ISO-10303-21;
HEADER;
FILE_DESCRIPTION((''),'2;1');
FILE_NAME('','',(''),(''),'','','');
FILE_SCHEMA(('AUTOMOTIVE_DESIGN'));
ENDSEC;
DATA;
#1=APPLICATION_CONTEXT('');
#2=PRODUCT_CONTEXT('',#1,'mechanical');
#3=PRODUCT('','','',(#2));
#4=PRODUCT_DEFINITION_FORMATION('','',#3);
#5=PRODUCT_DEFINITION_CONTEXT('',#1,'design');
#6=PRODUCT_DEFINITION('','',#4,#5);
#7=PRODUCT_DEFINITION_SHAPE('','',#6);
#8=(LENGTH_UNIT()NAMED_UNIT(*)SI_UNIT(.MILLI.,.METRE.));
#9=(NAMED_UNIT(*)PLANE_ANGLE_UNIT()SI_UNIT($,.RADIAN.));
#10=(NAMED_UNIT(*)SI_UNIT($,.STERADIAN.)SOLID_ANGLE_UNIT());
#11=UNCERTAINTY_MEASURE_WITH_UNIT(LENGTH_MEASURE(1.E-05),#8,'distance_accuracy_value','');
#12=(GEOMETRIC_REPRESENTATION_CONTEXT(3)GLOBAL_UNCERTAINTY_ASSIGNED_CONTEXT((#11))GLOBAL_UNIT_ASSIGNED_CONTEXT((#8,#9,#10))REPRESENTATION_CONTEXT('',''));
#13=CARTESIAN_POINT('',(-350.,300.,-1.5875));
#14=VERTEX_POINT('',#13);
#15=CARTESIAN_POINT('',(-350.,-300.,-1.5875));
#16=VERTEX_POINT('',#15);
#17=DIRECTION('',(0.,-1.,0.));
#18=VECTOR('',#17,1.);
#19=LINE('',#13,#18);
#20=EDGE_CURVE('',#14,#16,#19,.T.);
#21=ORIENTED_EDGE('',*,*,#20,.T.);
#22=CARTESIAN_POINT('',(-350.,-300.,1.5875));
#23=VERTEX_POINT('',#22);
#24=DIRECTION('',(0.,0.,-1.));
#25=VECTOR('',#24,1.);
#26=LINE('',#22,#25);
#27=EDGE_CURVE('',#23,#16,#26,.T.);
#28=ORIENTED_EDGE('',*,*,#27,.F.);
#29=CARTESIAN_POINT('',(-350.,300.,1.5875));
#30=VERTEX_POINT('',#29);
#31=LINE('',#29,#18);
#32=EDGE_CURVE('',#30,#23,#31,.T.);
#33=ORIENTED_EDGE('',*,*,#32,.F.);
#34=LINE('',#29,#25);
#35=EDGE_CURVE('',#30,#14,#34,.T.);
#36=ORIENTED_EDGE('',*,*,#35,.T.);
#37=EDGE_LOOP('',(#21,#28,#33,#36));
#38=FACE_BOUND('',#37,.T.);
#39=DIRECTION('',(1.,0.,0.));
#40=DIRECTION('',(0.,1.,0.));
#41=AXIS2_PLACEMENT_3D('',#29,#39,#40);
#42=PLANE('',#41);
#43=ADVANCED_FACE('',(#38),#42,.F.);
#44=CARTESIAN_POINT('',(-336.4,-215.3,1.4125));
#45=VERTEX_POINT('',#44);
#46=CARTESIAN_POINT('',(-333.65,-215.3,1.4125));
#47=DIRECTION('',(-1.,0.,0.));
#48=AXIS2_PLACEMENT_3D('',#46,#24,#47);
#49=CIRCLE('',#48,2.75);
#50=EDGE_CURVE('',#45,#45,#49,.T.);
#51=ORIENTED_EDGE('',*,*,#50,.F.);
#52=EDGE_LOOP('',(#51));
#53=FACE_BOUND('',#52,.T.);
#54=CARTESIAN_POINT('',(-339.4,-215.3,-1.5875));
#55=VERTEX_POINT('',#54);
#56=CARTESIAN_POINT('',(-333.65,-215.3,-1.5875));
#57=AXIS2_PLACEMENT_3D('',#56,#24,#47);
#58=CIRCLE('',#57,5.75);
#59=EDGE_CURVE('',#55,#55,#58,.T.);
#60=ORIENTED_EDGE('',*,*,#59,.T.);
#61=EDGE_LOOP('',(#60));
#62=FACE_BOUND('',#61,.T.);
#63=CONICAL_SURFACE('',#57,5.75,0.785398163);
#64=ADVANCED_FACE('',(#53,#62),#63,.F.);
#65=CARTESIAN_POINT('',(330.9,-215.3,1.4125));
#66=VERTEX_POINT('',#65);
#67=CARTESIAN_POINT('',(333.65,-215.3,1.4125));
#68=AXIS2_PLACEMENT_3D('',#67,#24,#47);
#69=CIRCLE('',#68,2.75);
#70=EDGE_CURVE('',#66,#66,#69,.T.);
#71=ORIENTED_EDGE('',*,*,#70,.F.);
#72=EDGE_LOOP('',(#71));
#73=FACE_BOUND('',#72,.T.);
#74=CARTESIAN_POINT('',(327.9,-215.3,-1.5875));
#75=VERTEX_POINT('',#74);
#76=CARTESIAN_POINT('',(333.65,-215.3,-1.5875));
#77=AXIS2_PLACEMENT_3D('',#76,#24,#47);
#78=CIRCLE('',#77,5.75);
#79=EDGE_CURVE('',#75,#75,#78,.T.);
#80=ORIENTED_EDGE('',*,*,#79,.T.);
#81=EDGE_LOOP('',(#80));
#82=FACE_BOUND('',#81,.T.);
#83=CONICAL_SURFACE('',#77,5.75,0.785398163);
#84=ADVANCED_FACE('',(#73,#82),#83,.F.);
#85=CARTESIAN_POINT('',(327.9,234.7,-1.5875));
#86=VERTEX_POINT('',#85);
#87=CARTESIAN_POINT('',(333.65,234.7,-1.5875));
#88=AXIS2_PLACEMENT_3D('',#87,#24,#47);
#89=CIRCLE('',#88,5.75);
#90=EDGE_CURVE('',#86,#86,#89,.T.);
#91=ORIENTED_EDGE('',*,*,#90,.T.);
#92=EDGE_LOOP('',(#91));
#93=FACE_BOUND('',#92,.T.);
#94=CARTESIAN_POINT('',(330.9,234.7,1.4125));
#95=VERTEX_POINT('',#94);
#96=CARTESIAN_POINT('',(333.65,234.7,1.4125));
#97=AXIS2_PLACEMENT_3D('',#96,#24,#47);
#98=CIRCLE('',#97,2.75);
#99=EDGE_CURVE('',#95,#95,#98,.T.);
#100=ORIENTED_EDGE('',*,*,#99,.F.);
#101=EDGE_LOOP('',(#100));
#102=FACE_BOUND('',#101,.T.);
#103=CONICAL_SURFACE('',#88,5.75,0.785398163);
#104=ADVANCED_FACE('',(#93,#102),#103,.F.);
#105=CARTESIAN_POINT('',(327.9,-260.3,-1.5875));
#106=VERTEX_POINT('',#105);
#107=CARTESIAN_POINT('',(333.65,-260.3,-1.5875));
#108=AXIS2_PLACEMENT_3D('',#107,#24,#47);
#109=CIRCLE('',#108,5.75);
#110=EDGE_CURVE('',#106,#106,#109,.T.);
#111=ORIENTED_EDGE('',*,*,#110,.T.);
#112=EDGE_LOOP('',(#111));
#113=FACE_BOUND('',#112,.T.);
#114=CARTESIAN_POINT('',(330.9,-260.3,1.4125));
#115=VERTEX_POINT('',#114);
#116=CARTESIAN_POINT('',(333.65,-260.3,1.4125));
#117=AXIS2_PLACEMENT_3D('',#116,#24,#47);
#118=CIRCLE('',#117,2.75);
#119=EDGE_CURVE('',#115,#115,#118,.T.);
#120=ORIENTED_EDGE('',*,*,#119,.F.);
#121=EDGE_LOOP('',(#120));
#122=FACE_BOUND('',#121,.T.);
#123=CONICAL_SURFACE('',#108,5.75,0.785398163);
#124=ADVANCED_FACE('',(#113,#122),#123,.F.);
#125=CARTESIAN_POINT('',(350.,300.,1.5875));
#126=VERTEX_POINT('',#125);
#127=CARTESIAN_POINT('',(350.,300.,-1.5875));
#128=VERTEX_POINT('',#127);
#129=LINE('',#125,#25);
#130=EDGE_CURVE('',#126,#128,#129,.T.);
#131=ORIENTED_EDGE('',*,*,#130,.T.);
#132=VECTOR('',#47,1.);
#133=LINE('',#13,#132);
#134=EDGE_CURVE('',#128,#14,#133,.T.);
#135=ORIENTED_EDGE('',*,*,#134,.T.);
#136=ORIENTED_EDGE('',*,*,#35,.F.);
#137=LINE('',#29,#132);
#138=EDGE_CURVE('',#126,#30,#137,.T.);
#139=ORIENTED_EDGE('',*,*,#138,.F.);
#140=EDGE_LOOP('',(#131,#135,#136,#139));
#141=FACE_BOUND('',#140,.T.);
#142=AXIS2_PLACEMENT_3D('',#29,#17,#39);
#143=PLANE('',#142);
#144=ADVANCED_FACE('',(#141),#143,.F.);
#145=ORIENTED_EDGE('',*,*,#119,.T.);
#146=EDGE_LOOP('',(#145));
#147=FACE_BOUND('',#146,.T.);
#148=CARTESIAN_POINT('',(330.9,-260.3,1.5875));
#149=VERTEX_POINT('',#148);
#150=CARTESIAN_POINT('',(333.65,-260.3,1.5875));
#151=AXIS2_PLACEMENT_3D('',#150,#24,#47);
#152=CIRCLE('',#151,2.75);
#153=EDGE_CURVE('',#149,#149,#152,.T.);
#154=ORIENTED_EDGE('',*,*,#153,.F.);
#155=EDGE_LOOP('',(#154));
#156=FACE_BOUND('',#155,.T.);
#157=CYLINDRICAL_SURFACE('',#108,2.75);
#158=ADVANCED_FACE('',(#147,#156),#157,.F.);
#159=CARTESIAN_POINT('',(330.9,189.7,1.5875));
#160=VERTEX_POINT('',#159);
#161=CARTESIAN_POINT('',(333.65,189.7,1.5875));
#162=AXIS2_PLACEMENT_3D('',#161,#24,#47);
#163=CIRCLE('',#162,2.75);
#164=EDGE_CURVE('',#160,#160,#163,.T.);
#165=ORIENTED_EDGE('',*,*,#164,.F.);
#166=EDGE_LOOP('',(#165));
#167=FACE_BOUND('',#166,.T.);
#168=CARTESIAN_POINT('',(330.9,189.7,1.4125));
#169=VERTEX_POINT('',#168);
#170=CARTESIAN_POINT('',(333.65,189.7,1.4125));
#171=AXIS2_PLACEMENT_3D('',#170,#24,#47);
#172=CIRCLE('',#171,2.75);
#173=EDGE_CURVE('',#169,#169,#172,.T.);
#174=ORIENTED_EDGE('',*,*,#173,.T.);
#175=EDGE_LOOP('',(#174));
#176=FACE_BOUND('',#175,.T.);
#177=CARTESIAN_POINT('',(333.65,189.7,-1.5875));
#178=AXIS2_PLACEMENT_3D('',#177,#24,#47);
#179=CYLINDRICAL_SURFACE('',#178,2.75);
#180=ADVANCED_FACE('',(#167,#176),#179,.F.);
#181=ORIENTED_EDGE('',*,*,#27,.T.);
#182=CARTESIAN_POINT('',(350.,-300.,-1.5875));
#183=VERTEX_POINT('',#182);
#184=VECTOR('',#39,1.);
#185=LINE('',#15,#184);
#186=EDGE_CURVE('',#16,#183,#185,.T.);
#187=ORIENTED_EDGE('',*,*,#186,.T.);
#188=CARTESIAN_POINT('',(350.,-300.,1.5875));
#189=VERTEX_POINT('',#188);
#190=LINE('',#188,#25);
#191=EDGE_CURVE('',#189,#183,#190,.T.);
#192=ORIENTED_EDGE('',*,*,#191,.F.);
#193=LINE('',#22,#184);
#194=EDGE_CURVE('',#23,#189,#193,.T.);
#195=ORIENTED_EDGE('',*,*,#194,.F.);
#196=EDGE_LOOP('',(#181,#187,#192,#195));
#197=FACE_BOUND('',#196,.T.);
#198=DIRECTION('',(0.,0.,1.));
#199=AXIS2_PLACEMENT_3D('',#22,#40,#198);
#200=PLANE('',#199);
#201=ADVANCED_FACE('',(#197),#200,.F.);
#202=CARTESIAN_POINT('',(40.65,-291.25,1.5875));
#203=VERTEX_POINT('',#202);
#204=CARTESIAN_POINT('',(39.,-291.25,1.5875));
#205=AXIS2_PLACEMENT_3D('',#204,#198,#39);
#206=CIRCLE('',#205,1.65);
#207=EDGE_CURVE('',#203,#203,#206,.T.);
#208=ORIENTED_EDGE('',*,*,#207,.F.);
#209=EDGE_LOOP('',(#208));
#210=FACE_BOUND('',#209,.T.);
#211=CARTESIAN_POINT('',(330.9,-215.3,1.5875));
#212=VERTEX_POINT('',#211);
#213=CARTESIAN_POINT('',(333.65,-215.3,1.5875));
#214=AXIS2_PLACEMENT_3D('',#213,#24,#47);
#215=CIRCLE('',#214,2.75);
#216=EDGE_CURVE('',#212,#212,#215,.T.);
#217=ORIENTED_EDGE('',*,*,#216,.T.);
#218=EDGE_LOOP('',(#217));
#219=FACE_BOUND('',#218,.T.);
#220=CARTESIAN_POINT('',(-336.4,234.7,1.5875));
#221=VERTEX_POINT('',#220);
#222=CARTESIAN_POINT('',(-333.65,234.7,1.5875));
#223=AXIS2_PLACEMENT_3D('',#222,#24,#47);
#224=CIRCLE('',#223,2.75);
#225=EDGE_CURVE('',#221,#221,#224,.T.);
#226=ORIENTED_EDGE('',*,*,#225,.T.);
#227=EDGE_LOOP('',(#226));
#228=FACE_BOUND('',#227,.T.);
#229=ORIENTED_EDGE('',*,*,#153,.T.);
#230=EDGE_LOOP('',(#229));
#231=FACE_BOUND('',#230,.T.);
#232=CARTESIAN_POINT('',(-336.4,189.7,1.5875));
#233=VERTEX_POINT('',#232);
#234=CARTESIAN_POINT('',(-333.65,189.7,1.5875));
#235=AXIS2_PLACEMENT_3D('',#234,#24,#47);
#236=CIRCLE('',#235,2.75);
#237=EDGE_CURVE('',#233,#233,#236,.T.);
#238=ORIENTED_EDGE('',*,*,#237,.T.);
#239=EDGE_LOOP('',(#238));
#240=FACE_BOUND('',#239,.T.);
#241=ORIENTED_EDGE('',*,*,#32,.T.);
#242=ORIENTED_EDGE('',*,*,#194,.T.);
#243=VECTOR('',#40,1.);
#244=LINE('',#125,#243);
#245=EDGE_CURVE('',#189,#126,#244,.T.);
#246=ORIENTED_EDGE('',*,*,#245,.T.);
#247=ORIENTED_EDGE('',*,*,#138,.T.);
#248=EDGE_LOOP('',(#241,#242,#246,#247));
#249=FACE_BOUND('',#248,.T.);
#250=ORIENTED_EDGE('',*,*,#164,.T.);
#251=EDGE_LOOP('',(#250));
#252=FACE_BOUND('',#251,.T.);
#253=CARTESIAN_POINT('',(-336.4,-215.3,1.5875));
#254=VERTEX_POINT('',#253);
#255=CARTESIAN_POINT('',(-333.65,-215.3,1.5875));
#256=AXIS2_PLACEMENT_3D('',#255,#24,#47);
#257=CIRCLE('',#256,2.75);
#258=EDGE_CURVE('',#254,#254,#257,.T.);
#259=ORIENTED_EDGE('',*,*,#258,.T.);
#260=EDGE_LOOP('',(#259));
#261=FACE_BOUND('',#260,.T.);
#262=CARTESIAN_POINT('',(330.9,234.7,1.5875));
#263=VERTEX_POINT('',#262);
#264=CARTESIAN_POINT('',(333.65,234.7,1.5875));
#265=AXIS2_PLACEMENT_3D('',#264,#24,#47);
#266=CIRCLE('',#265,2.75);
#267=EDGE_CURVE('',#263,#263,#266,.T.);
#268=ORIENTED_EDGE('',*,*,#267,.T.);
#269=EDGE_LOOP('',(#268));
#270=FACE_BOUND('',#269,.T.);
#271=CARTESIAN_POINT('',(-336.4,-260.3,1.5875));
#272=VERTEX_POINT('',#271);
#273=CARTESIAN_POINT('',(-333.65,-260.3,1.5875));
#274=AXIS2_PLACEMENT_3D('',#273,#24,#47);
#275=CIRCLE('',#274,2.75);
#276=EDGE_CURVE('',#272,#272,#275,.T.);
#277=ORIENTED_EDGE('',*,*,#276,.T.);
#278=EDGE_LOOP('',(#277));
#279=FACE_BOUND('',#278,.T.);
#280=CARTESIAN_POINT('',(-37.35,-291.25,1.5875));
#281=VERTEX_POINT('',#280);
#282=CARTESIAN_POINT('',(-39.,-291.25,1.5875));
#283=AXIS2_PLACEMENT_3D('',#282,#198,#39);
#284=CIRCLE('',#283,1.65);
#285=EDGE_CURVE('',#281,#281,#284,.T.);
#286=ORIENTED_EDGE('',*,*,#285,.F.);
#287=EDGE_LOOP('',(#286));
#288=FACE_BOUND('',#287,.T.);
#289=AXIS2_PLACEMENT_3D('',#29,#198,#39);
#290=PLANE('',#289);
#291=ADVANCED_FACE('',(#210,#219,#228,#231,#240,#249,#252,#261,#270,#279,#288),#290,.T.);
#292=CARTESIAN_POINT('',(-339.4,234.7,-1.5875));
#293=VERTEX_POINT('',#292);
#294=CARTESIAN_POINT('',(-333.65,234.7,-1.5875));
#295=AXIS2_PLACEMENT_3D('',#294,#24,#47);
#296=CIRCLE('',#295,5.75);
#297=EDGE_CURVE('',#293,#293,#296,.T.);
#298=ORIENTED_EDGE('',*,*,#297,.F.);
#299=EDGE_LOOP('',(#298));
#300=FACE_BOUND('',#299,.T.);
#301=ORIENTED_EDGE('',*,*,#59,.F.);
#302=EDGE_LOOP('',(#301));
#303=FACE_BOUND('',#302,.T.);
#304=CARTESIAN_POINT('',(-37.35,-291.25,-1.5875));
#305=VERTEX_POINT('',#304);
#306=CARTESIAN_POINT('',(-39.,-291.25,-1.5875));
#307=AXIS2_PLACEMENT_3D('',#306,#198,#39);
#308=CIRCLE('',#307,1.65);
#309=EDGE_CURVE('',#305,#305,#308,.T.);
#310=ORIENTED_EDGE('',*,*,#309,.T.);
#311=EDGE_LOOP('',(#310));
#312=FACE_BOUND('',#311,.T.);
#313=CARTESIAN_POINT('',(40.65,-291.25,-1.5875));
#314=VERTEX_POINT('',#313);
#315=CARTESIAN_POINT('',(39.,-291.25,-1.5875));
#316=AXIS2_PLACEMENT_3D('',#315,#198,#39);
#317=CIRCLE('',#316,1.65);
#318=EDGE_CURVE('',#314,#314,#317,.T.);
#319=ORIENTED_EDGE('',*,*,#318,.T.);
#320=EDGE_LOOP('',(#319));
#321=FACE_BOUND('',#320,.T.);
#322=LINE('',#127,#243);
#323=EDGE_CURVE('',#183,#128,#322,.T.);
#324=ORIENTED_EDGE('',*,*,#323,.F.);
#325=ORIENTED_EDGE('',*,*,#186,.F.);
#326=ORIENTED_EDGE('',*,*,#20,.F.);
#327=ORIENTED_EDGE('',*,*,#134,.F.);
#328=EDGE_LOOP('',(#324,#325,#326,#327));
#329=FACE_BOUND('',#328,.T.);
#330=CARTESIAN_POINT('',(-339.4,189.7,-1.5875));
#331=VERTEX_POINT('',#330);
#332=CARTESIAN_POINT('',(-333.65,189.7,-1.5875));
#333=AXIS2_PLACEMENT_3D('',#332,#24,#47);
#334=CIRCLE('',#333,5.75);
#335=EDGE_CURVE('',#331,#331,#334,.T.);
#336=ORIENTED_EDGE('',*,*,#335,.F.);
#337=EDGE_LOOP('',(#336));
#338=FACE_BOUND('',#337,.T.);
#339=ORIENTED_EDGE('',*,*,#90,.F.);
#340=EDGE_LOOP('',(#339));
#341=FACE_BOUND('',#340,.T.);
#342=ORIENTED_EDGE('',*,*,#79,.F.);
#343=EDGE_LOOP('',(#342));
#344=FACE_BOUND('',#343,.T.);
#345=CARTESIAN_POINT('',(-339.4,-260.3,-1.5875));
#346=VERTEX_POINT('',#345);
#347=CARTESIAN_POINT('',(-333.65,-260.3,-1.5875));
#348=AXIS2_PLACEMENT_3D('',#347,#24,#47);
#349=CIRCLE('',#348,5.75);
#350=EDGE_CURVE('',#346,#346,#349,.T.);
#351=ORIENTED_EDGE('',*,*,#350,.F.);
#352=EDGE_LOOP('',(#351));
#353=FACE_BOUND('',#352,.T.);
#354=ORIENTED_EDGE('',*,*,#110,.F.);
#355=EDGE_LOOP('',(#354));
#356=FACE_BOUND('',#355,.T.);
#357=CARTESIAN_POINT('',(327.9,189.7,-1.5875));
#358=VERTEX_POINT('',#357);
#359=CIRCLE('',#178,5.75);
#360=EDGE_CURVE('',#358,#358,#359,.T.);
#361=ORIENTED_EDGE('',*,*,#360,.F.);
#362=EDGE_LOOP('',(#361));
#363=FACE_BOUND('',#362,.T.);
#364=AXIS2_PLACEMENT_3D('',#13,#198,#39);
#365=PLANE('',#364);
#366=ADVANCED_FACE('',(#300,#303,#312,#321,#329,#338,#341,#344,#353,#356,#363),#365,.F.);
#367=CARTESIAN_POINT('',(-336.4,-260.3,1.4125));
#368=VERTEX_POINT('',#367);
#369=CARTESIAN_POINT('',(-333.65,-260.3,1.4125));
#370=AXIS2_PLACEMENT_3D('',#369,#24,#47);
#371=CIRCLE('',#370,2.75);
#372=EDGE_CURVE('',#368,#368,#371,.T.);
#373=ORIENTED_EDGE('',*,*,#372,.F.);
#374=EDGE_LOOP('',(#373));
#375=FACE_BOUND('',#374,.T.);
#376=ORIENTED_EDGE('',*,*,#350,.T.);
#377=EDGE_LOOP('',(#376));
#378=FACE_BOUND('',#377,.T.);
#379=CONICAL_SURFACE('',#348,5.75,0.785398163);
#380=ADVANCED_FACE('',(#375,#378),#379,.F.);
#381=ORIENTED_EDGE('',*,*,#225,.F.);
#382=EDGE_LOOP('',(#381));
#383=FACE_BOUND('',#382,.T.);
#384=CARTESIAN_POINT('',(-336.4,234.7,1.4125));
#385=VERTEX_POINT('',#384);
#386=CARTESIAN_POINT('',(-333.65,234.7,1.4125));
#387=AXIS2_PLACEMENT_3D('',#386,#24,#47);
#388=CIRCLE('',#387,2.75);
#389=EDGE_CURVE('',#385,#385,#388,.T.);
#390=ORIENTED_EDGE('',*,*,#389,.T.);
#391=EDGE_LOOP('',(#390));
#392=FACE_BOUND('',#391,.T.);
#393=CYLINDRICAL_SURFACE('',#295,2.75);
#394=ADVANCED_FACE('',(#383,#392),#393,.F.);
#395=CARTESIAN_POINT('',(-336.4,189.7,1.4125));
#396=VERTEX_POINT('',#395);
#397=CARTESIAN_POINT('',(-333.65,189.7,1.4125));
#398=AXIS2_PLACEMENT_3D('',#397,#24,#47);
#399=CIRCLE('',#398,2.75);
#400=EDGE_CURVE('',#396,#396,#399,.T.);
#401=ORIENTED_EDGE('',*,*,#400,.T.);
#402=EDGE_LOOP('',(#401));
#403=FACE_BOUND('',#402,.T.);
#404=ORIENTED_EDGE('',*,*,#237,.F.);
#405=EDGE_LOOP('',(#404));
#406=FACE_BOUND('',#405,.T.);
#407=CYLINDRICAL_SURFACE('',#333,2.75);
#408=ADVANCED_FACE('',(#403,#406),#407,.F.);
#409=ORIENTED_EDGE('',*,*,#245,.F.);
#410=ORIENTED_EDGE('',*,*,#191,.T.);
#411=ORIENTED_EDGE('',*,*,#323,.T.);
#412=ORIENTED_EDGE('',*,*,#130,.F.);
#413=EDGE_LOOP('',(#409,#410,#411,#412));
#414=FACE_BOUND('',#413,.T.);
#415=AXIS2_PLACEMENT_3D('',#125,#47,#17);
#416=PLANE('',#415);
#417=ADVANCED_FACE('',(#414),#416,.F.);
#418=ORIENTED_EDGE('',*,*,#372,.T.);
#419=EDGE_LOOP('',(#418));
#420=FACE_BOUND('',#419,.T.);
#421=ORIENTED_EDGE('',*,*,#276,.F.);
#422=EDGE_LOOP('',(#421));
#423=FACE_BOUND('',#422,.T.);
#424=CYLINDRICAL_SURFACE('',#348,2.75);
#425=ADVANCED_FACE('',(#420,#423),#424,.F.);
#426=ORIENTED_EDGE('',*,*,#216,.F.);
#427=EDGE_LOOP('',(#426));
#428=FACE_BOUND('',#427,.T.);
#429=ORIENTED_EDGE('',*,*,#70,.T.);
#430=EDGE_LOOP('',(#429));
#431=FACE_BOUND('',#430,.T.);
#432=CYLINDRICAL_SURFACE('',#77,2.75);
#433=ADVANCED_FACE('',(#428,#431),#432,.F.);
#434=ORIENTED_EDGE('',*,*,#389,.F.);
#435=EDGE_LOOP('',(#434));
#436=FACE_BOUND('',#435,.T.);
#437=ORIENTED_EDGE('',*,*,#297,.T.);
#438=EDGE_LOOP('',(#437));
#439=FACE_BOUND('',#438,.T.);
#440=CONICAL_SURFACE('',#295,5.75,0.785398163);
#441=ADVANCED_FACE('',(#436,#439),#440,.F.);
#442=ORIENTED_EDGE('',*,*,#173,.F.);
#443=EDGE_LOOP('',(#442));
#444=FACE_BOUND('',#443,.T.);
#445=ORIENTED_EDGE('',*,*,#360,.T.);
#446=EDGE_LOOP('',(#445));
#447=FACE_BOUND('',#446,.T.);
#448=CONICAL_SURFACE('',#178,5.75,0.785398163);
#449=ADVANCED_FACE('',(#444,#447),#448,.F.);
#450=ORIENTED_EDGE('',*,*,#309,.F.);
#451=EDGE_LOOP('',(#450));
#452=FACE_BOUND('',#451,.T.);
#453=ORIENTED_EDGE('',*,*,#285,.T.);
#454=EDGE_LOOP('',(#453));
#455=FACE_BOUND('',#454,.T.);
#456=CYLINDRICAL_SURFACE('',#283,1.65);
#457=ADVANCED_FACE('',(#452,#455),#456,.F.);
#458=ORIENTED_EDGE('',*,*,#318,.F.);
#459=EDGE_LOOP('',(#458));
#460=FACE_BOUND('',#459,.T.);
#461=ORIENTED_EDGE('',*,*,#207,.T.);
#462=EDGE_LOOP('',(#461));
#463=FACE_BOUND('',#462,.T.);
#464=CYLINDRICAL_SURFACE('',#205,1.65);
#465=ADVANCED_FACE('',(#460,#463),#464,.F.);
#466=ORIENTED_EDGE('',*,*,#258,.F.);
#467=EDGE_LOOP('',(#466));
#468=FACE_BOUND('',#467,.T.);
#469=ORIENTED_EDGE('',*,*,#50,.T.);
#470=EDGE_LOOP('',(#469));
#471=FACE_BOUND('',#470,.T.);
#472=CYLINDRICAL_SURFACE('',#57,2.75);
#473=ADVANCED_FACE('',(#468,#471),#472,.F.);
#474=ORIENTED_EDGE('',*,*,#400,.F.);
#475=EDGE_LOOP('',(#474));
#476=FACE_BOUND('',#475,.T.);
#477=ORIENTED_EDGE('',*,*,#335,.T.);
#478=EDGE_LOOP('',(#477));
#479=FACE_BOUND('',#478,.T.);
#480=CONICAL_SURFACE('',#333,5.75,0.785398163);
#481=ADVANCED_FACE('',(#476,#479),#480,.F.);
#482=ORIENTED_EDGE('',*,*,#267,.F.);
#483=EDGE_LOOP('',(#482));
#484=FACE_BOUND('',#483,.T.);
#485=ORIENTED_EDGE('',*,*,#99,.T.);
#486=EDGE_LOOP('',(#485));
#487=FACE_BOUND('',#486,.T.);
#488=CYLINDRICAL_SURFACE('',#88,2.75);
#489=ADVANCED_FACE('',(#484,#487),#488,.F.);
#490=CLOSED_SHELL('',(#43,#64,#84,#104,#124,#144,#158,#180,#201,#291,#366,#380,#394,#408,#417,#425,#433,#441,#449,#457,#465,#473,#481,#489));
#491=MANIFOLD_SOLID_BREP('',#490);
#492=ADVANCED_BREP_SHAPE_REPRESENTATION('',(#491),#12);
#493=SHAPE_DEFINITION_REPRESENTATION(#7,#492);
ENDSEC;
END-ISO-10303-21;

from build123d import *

# Parameters (mm, degrees)
SKETCH1_W                    = 700
SKETCH1_H                    = 600
EXTRUDE1_DEPTH               = 1.5875
CSK_FOR_M5_SFHCS2_AT_2_COUNT = 2
CSK_FOR_M5_SFHCS2_AT_2_PITCH = 45
CSK_FOR_M5_SFHCS2_AT_3_COUNT = 2
CSK_FOR_M5_SFHCS2_AT_3_PITCH = 450
CSK_FOR_M5_SFHCS2_AT_4_COUNT = 2
CSK_FOR_M5_SFHCS2_AT_4_PITCH = 495
CSK_FOR_M5_SFHCS2_AT_5_COUNT = 2
CSK_FOR_M5_SFHCS2_AT_5_PITCH = 830.851545103
CSK_FOR_M5_SFHCS2_AT_6_COUNT = 2
CSK_FOR_M5_SFHCS2_AT_6_PITCH = 804.853582958
CSK_FOR_M5_SFHCS2_AT_7_COUNT = 2
CSK_FOR_M5_SFHCS2_AT_7_PITCH = 668.815587438
CSK_FOR_M5_SFHCS2_AT_8_COUNT = 2
CSK_FOR_M5_SFHCS2_AT_8_PITCH = 667.3
M4X0_7_TAPPED_HOLE1_D        = 3.3


with BuildPart() as part:
    # Sketch1 → Extrude1 (new, symmetric)
    with BuildSketch(Plane.XY):
        Rectangle(SKETCH1_W, SKETCH1_H)
    extrude(amount=EXTRUDE1_DEPTH, both=True)

    # Sketch4 → CSK for M5 SFHCS2 (revolve, cut)
    with BuildSketch(Plane(origin=(333.65, 234.7, -1.5875), x_dir=(0, 1, 0), z_dir=(1, 0, 0))):
        Polygon((0, 0), (0, 3.175), (2.75, 3.175), (2.75, 3), (5.75, 0), align=None)
    csk_for_m5_sfhcs2 = revolve(axis=Axis((333.65, 234.7, -7.9375), (0, 0, 1)), mode=Mode.SUBTRACT)

    # CSK for M5 SFHCS2 at 2: CSK for M5 SFHCS2 ×2
    with Locations(*[(0, -i * CSK_FOR_M5_SFHCS2_AT_2_PITCH, 0) for i in range(1, CSK_FOR_M5_SFHCS2_AT_2_COUNT)]):
        add(csk_for_m5_sfhcs2, mode=Mode.SUBTRACT)

    # CSK for M5 SFHCS2 at 3: CSK for M5 SFHCS2 ×2
    with Locations(*[(0, -i * CSK_FOR_M5_SFHCS2_AT_3_PITCH, 0) for i in range(1, CSK_FOR_M5_SFHCS2_AT_3_COUNT)]):
        add(csk_for_m5_sfhcs2, mode=Mode.SUBTRACT)

    # CSK for M5 SFHCS2 at 4: CSK for M5 SFHCS2 ×2
    with Locations(*[(0, -i * CSK_FOR_M5_SFHCS2_AT_4_PITCH, 0) for i in range(1, CSK_FOR_M5_SFHCS2_AT_4_COUNT)]):
        add(csk_for_m5_sfhcs2, mode=Mode.SUBTRACT)

    # CSK for M5 SFHCS2 at 5: CSK for M5 SFHCS2 ×2
    with Locations(*[Vector(-0.8031519035296442, -0.5957743027831169, 0) * (i * CSK_FOR_M5_SFHCS2_AT_5_PITCH) for i in range(1, CSK_FOR_M5_SFHCS2_AT_5_COUNT)]):
        add(csk_for_m5_sfhcs2, mode=Mode.SUBTRACT)

    # CSK for M5 SFHCS2 at 6: CSK for M5 SFHCS2 ×2
    with Locations(*[Vector(-0.8290948989103177, -0.5591079042554219, 0) * (i * CSK_FOR_M5_SFHCS2_AT_6_PITCH) for i in range(1, CSK_FOR_M5_SFHCS2_AT_6_COUNT)]):
        add(csk_for_m5_sfhcs2, mode=Mode.SUBTRACT)

    # CSK for M5 SFHCS2 at 7: CSK for M5 SFHCS2 ×2
    with Locations(*[Vector(-0.9977339232720667, -0.06728312085605138, 0) * (i * CSK_FOR_M5_SFHCS2_AT_7_PITCH) for i in range(1, CSK_FOR_M5_SFHCS2_AT_7_COUNT)]):
        add(csk_for_m5_sfhcs2, mode=Mode.SUBTRACT)

    # CSK for M5 SFHCS2 at 8: CSK for M5 SFHCS2 ×2
    with Locations(*[(-i * CSK_FOR_M5_SFHCS2_AT_8_PITCH, 0, 0) for i in range(1, CSK_FOR_M5_SFHCS2_AT_8_COUNT)]):
        add(csk_for_m5_sfhcs2, mode=Mode.SUBTRACT)

    # M4x0.7 Tapped Hole1 (through all)
    with Locations(Plane.XY.offset(1.5875)):
        with Locations((-39, -291.25), (39, -291.25)):
            Hole(M4X0_7_TAPPED_HOLE1_D / 2)


solid = part.part
